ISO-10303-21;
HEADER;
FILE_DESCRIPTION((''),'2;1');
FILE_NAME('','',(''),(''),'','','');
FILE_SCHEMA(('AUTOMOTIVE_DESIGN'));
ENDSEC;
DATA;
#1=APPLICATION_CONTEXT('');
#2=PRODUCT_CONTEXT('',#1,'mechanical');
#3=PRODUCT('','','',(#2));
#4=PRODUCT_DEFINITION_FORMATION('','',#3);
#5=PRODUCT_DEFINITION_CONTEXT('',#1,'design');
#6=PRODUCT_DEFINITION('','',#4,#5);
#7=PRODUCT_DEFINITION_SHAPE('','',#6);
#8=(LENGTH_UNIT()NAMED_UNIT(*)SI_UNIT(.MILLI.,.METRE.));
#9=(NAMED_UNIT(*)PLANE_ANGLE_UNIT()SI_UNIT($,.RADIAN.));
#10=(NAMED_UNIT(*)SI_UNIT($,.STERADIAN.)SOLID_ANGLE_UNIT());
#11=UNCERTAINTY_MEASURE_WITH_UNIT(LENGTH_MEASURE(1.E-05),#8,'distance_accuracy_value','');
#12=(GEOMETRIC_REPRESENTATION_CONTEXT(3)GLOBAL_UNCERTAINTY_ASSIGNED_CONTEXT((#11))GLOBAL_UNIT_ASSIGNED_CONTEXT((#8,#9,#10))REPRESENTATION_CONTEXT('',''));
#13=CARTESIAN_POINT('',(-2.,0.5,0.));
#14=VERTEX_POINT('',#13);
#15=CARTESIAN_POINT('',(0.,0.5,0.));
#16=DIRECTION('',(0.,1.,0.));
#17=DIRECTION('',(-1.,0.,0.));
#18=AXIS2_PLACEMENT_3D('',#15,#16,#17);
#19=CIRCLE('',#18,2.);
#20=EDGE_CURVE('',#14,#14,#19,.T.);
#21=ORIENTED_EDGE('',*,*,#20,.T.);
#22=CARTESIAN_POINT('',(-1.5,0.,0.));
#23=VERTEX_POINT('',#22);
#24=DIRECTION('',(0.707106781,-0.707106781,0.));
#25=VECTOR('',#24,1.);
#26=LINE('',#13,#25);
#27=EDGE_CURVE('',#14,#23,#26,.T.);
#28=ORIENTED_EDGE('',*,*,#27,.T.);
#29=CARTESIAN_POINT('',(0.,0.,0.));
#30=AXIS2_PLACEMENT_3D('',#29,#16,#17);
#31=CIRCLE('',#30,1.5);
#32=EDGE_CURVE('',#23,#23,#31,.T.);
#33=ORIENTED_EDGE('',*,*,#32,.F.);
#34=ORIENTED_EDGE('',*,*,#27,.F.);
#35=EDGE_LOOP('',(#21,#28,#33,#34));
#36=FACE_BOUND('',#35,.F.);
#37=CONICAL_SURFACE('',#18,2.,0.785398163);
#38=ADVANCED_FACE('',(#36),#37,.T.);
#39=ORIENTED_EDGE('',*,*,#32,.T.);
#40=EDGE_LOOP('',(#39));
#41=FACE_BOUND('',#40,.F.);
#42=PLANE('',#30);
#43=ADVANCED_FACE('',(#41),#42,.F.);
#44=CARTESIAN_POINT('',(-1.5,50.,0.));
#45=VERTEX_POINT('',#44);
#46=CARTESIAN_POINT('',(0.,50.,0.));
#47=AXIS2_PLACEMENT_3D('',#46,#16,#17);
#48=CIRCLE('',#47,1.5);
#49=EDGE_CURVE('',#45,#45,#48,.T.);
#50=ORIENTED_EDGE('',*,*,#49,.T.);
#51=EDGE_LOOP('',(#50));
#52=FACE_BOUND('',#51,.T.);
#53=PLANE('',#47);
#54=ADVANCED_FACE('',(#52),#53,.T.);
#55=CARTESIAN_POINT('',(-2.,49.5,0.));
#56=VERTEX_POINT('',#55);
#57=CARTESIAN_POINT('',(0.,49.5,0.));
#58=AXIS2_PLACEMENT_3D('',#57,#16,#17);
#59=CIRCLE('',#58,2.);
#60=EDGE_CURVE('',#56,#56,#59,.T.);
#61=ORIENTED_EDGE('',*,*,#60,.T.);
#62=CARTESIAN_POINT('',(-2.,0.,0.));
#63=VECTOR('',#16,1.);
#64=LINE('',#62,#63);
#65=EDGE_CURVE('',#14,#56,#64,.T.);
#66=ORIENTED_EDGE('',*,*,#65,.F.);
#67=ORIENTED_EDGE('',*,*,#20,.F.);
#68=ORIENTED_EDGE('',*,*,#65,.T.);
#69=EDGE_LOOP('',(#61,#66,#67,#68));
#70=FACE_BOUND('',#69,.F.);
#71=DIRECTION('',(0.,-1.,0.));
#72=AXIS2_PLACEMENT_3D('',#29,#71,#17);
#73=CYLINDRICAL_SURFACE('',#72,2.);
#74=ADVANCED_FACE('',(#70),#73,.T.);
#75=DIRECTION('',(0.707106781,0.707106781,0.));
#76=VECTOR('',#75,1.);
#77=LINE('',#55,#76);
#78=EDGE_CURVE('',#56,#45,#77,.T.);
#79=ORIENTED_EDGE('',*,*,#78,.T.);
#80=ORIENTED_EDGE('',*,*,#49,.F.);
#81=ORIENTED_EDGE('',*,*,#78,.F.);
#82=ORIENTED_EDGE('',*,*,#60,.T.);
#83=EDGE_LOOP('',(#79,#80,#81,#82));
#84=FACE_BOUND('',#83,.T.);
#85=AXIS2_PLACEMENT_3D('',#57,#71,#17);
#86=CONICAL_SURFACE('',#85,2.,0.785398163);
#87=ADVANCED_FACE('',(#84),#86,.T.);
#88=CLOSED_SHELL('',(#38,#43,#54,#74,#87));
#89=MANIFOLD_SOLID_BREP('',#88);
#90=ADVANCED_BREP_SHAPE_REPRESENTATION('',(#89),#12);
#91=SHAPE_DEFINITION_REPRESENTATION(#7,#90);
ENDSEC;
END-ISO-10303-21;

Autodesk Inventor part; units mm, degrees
ref_plane "YZ Plane" through (0, 0, 0) normal (1, 0, 0) x (0, 1, 0)
ref_plane "XZ Plane" through (0, 0, 0) normal (0, 1, 0) x (-1, 0, 0)
ref_plane "XY Plane" through (0, 0, 0) normal (0, 0, 1) x (1, 0, 0)
sketch "Sketch1" plane through (0, 0, 0) normal (0, 1, 0) x (-1, 0, 0)
  circle A0 centre (0, 0) radius 2
  dimension "d0" = 4
extrude "Extrusion1" add sketch "Sketch1" along normal blind 50
thread "Thread1" size "M4x0.7" class "6g" standard "ISO Metric profile" length 180
chamfer "Chamfer1" distance 0.5 angle 45 2 edges at (2, 50, 0) (2, 0, 0)
properties part number "M4 threaded bar"
